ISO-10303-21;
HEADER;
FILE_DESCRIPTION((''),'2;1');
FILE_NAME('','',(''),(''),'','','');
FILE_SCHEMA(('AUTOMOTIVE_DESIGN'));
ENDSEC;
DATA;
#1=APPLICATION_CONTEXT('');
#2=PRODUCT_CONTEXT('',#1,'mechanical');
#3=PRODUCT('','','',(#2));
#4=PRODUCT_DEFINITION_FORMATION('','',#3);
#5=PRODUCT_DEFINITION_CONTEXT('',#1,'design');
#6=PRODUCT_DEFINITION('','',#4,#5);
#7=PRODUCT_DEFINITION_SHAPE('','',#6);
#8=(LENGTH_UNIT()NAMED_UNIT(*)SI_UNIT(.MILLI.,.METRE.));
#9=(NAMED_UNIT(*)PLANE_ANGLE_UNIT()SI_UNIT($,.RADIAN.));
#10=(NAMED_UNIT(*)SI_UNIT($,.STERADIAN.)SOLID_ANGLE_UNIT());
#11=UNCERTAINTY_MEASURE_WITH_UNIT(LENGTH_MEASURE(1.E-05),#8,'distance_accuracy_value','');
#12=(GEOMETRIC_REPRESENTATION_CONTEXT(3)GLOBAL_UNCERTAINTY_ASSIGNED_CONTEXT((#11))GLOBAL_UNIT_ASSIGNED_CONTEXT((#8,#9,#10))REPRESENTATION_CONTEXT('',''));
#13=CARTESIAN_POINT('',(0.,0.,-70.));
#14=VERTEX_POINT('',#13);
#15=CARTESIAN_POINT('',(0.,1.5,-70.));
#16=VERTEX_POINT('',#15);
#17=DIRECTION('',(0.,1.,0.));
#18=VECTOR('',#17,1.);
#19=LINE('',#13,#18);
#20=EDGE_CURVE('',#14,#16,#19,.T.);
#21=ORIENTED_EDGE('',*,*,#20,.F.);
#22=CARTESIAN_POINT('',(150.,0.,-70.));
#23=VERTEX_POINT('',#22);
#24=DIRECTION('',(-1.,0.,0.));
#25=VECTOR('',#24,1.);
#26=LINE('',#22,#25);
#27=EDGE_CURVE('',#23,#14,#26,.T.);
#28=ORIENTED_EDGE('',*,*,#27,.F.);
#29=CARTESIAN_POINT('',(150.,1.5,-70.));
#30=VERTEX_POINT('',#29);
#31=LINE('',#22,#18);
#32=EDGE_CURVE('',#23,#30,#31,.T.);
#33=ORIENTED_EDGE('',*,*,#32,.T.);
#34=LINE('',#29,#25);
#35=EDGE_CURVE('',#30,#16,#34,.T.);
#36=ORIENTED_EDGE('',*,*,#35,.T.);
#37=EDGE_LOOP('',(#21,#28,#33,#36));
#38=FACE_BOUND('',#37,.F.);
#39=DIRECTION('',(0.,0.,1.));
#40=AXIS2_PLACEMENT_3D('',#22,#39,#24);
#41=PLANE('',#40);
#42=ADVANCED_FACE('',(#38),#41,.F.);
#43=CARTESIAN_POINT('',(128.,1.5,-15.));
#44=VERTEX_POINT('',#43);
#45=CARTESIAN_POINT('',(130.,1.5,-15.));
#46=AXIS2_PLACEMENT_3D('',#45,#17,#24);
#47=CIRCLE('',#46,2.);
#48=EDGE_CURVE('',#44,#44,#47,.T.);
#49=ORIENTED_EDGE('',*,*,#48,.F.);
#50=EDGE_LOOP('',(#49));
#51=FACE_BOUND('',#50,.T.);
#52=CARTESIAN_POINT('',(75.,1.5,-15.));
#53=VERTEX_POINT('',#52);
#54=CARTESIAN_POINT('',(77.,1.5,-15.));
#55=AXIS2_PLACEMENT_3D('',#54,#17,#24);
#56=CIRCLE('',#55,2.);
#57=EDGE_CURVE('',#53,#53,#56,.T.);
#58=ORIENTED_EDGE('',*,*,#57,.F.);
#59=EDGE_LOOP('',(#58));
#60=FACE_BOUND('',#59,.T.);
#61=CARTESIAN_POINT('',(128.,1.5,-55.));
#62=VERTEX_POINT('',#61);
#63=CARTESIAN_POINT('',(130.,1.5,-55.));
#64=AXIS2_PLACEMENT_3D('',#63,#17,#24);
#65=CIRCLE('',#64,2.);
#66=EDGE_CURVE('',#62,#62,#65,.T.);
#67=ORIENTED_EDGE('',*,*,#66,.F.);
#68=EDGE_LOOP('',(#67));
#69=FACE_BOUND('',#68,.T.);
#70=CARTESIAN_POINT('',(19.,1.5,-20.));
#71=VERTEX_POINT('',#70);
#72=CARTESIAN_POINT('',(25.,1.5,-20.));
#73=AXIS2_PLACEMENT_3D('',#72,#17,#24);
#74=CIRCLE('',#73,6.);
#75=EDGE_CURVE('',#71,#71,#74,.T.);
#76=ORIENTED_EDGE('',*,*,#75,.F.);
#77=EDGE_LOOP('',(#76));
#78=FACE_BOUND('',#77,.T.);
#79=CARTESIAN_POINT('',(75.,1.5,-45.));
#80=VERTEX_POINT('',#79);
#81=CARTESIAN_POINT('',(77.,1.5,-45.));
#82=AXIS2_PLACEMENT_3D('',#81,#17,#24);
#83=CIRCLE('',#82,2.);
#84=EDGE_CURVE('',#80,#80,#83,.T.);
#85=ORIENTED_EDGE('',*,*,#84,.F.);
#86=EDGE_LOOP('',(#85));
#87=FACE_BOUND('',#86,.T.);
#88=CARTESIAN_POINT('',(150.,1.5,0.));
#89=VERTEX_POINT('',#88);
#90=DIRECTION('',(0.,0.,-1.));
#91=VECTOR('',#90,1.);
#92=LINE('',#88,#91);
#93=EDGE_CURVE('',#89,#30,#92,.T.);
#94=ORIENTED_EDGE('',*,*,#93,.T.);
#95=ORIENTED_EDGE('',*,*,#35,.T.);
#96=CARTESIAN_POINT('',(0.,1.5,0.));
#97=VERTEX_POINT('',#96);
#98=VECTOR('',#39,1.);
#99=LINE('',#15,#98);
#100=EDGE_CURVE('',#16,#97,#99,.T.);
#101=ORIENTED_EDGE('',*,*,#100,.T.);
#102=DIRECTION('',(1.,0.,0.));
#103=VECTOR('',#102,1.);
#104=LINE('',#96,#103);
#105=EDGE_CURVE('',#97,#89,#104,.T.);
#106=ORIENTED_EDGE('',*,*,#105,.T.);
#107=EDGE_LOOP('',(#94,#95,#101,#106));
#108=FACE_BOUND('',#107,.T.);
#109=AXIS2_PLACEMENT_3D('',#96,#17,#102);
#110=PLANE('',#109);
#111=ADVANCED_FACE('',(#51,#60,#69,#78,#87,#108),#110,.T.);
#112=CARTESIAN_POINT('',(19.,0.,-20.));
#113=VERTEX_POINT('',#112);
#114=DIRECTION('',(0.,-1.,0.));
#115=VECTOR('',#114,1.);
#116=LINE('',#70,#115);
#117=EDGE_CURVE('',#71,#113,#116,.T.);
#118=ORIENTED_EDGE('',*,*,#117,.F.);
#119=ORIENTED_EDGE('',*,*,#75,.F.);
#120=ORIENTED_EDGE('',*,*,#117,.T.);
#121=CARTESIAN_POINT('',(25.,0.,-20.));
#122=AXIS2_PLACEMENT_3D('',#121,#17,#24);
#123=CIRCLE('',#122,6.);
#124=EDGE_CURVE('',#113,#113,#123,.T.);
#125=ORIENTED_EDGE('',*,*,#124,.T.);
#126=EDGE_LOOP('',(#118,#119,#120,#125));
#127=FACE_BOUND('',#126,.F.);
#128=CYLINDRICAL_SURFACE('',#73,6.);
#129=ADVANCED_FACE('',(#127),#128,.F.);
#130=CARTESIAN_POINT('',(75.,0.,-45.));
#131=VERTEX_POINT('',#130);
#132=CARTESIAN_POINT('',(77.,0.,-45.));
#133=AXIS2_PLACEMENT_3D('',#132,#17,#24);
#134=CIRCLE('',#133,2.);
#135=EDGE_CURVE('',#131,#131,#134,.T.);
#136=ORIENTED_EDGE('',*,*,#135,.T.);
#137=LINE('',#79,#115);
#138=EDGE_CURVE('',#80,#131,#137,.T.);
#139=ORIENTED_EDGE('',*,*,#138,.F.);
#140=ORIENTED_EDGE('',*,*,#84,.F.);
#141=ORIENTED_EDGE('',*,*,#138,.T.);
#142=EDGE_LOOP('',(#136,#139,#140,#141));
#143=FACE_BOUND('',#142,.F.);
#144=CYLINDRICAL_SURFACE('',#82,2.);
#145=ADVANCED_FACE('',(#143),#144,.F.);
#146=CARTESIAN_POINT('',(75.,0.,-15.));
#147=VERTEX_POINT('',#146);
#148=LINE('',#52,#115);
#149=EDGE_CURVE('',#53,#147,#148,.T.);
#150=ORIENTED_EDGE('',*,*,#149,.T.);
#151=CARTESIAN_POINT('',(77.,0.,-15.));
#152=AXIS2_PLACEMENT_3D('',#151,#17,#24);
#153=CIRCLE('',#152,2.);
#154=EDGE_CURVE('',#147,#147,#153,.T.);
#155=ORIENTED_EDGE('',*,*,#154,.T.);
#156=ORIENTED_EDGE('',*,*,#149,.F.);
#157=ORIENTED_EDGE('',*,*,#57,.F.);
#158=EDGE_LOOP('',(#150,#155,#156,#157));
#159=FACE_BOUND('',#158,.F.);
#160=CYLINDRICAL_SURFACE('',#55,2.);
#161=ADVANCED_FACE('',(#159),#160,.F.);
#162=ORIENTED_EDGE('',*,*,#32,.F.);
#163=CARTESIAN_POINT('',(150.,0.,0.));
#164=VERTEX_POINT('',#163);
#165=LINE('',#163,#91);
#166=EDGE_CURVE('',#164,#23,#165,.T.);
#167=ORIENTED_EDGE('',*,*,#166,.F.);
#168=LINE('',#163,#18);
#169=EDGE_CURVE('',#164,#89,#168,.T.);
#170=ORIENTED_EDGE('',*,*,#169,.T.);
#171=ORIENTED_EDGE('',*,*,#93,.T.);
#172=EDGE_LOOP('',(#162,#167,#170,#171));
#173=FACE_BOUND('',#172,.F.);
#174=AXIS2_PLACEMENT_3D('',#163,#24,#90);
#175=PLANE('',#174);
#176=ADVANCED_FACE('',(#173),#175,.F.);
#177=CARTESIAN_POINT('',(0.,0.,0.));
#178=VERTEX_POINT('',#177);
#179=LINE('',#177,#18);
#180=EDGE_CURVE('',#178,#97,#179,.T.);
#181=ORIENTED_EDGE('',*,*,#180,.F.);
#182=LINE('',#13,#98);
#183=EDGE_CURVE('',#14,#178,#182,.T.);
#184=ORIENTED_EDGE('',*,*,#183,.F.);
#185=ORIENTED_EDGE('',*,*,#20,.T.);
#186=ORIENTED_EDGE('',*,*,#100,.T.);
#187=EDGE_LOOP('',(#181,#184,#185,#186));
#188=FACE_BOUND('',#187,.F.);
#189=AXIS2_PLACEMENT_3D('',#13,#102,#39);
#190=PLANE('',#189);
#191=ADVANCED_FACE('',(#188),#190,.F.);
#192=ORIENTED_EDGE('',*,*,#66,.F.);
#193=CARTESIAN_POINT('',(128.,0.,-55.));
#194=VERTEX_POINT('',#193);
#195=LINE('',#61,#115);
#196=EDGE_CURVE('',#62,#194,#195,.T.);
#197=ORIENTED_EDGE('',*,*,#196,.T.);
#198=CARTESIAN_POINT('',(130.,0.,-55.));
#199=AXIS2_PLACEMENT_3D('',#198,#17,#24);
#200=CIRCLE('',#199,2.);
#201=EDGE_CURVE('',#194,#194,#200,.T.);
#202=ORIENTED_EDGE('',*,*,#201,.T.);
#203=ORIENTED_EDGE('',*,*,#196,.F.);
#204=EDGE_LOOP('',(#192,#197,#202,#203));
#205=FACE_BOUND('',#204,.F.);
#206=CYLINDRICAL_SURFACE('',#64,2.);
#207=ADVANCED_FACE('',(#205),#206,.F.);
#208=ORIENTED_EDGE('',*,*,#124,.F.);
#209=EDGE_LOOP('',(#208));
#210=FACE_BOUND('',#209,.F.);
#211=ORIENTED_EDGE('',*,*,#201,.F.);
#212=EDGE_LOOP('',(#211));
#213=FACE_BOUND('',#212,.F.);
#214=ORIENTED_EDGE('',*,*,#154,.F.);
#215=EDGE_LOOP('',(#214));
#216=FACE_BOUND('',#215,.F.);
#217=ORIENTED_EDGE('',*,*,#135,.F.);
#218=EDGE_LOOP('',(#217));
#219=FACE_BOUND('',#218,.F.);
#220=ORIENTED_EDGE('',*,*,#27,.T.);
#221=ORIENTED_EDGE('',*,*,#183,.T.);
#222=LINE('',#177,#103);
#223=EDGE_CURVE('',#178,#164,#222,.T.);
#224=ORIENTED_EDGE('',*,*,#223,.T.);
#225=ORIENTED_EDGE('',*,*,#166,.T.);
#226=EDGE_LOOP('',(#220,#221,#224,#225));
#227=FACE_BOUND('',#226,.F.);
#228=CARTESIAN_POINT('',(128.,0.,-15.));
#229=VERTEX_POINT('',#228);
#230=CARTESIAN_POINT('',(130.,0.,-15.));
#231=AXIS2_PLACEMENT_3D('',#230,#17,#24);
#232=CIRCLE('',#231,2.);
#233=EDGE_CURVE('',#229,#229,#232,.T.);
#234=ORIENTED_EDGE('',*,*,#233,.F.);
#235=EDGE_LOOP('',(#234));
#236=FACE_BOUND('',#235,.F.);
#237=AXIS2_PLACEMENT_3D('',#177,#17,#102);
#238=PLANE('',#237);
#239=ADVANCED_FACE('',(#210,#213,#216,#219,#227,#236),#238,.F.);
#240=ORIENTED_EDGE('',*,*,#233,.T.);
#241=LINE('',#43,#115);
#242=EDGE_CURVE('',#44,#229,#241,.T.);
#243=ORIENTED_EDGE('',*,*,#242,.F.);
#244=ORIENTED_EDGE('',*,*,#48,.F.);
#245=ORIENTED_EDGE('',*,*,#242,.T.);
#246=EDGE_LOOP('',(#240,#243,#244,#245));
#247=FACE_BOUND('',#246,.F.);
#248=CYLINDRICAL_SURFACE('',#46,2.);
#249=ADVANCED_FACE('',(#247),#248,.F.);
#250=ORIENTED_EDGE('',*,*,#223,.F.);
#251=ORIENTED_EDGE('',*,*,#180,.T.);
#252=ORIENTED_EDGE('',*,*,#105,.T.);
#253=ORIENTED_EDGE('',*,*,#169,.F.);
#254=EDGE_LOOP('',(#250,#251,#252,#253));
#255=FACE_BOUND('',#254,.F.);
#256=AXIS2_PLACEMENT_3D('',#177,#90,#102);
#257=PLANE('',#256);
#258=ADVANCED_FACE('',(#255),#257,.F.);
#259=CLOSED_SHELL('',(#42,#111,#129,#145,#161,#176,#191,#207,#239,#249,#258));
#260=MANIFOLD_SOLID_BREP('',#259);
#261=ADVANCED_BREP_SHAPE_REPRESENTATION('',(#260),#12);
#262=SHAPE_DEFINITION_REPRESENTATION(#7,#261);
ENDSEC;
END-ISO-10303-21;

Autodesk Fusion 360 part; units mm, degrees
sketch "Skizze1" plane through (0, 0, 0) normal (0, 1, 0) x (1, 0, 0)
  line L0 (0, 0) -> (150, 0)
  line L1 (150, 0) -> (150, 70)
  line L2 (150, 70) -> (0, 70)
  line L3 (0, 70) -> (0, 0)
  dimension "d1" = 150
  dimension "d2" = 70
extrude "Extrusion1" add sketch "Skizze1" along normal blind 1.5
sketch "Skizze2" plane through (0, 1.5, 0) normal (0, 1, 0) x (-1, 0, 0)
  line L0 (0, -70) -> (0, 0)
  line L1 (0, 0) -> (-150, 0)
  line L2 (-150, 0) -> (-150, -70)
  line L3 (-150, -70) -> (0, -70)
  line L4 (-77, -55) -> (-130, -55) construction
  line L5 (-130, -55) -> (-130, -15) construction
  line L6 (-130, -15) -> (-77, -15) construction
  line L7 (-77, -15) -> (-77, -55) construction
  line L8 (-81.1558, -15) -> (-81.1558, -45) construction
  circle A0 centre (-130, -55) radius 2
  circle A1 centre (-77, -45) radius 2
  circle A2 centre (-77, -15) radius 2
  circle A3 centre (-130, -15) radius 2
  circle A4 centre (-25, -20) radius 6
  dimension "d5" = 53
  dimension "d6" = 40
  dimension "d7" = 20
  dimension "d8" = 15
  dimension "d10" = 4
  dimension "d11" = 4
  dimension "d12" = 4
  dimension "d13" = 4
  dimension "d14" = 12
  dimension "d17" = 30
extrude "Extrusion2" cut sketch "Skizze2" against normal blind 5 contours A0 | A1 | A2 | A3 | A4
